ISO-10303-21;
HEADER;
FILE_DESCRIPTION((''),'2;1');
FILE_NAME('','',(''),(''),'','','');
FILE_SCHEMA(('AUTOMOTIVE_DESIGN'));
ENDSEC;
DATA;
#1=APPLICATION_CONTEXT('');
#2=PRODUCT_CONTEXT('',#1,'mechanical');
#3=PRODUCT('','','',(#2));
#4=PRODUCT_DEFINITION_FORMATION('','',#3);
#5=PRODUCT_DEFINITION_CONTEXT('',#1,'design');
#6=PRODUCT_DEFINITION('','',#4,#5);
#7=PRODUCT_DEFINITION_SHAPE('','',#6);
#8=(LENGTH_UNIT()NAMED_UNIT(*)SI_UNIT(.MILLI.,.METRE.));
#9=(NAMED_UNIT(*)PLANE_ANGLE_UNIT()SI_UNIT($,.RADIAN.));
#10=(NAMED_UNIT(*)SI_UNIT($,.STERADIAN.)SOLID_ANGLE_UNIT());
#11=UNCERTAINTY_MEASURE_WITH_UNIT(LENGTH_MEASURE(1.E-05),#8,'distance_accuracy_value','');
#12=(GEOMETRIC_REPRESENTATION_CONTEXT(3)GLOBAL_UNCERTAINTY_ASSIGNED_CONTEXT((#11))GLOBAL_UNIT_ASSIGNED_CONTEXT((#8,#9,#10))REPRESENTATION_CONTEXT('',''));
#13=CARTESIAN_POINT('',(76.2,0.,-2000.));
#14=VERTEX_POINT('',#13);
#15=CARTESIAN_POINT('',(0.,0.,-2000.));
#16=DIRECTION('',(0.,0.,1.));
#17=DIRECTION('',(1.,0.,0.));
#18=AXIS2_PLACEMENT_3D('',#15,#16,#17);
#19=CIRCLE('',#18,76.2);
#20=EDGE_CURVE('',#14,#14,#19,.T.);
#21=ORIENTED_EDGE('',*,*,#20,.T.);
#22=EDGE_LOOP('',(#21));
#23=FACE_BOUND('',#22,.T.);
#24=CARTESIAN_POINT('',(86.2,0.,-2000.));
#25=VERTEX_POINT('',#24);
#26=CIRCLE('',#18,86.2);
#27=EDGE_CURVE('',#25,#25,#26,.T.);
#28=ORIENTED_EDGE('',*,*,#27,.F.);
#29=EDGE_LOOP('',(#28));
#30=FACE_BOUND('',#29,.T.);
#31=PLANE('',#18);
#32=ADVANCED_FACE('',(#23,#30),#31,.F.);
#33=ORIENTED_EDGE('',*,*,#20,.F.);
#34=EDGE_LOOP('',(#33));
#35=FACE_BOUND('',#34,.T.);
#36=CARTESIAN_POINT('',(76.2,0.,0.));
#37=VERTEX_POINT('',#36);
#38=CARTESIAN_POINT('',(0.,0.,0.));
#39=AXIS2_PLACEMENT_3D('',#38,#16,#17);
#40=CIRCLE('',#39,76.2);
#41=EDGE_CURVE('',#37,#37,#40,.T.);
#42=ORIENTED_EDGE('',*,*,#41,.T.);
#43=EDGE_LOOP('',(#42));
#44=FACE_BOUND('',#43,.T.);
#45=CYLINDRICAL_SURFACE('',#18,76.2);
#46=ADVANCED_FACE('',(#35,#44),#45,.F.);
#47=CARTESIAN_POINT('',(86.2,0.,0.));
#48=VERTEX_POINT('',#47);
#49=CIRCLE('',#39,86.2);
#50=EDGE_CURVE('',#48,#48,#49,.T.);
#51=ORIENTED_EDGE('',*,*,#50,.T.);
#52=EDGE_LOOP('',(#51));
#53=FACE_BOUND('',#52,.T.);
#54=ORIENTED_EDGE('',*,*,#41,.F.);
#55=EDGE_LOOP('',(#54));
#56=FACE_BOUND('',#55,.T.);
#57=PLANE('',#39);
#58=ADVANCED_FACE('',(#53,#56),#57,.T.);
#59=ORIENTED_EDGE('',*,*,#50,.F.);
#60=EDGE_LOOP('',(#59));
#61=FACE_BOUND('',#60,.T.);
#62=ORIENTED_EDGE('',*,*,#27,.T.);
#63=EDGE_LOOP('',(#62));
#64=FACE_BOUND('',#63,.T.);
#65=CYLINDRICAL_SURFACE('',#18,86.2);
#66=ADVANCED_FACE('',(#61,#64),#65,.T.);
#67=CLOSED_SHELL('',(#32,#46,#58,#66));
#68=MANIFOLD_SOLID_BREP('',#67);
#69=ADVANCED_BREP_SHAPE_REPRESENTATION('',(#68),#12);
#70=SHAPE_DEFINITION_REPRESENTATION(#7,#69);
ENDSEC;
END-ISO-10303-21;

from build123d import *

# Parameters (mm, degrees)
CROQUIS1_R              = 86.2
CROQUIS1_R_2            = 76.2
SALIENTE_EXTRUIR1_DEPTH = 2000


with BuildPart() as part:
    # Croquis1 → Saliente-Extruir1 (new body)
    with BuildSketch(Plane.XY):
        Circle(CROQUIS1_R)
        Circle(CROQUIS1_R_2, mode=Mode.SUBTRACT)
    extrude(amount=-SALIENTE_EXTRUIR1_DEPTH)


solid = part.part
